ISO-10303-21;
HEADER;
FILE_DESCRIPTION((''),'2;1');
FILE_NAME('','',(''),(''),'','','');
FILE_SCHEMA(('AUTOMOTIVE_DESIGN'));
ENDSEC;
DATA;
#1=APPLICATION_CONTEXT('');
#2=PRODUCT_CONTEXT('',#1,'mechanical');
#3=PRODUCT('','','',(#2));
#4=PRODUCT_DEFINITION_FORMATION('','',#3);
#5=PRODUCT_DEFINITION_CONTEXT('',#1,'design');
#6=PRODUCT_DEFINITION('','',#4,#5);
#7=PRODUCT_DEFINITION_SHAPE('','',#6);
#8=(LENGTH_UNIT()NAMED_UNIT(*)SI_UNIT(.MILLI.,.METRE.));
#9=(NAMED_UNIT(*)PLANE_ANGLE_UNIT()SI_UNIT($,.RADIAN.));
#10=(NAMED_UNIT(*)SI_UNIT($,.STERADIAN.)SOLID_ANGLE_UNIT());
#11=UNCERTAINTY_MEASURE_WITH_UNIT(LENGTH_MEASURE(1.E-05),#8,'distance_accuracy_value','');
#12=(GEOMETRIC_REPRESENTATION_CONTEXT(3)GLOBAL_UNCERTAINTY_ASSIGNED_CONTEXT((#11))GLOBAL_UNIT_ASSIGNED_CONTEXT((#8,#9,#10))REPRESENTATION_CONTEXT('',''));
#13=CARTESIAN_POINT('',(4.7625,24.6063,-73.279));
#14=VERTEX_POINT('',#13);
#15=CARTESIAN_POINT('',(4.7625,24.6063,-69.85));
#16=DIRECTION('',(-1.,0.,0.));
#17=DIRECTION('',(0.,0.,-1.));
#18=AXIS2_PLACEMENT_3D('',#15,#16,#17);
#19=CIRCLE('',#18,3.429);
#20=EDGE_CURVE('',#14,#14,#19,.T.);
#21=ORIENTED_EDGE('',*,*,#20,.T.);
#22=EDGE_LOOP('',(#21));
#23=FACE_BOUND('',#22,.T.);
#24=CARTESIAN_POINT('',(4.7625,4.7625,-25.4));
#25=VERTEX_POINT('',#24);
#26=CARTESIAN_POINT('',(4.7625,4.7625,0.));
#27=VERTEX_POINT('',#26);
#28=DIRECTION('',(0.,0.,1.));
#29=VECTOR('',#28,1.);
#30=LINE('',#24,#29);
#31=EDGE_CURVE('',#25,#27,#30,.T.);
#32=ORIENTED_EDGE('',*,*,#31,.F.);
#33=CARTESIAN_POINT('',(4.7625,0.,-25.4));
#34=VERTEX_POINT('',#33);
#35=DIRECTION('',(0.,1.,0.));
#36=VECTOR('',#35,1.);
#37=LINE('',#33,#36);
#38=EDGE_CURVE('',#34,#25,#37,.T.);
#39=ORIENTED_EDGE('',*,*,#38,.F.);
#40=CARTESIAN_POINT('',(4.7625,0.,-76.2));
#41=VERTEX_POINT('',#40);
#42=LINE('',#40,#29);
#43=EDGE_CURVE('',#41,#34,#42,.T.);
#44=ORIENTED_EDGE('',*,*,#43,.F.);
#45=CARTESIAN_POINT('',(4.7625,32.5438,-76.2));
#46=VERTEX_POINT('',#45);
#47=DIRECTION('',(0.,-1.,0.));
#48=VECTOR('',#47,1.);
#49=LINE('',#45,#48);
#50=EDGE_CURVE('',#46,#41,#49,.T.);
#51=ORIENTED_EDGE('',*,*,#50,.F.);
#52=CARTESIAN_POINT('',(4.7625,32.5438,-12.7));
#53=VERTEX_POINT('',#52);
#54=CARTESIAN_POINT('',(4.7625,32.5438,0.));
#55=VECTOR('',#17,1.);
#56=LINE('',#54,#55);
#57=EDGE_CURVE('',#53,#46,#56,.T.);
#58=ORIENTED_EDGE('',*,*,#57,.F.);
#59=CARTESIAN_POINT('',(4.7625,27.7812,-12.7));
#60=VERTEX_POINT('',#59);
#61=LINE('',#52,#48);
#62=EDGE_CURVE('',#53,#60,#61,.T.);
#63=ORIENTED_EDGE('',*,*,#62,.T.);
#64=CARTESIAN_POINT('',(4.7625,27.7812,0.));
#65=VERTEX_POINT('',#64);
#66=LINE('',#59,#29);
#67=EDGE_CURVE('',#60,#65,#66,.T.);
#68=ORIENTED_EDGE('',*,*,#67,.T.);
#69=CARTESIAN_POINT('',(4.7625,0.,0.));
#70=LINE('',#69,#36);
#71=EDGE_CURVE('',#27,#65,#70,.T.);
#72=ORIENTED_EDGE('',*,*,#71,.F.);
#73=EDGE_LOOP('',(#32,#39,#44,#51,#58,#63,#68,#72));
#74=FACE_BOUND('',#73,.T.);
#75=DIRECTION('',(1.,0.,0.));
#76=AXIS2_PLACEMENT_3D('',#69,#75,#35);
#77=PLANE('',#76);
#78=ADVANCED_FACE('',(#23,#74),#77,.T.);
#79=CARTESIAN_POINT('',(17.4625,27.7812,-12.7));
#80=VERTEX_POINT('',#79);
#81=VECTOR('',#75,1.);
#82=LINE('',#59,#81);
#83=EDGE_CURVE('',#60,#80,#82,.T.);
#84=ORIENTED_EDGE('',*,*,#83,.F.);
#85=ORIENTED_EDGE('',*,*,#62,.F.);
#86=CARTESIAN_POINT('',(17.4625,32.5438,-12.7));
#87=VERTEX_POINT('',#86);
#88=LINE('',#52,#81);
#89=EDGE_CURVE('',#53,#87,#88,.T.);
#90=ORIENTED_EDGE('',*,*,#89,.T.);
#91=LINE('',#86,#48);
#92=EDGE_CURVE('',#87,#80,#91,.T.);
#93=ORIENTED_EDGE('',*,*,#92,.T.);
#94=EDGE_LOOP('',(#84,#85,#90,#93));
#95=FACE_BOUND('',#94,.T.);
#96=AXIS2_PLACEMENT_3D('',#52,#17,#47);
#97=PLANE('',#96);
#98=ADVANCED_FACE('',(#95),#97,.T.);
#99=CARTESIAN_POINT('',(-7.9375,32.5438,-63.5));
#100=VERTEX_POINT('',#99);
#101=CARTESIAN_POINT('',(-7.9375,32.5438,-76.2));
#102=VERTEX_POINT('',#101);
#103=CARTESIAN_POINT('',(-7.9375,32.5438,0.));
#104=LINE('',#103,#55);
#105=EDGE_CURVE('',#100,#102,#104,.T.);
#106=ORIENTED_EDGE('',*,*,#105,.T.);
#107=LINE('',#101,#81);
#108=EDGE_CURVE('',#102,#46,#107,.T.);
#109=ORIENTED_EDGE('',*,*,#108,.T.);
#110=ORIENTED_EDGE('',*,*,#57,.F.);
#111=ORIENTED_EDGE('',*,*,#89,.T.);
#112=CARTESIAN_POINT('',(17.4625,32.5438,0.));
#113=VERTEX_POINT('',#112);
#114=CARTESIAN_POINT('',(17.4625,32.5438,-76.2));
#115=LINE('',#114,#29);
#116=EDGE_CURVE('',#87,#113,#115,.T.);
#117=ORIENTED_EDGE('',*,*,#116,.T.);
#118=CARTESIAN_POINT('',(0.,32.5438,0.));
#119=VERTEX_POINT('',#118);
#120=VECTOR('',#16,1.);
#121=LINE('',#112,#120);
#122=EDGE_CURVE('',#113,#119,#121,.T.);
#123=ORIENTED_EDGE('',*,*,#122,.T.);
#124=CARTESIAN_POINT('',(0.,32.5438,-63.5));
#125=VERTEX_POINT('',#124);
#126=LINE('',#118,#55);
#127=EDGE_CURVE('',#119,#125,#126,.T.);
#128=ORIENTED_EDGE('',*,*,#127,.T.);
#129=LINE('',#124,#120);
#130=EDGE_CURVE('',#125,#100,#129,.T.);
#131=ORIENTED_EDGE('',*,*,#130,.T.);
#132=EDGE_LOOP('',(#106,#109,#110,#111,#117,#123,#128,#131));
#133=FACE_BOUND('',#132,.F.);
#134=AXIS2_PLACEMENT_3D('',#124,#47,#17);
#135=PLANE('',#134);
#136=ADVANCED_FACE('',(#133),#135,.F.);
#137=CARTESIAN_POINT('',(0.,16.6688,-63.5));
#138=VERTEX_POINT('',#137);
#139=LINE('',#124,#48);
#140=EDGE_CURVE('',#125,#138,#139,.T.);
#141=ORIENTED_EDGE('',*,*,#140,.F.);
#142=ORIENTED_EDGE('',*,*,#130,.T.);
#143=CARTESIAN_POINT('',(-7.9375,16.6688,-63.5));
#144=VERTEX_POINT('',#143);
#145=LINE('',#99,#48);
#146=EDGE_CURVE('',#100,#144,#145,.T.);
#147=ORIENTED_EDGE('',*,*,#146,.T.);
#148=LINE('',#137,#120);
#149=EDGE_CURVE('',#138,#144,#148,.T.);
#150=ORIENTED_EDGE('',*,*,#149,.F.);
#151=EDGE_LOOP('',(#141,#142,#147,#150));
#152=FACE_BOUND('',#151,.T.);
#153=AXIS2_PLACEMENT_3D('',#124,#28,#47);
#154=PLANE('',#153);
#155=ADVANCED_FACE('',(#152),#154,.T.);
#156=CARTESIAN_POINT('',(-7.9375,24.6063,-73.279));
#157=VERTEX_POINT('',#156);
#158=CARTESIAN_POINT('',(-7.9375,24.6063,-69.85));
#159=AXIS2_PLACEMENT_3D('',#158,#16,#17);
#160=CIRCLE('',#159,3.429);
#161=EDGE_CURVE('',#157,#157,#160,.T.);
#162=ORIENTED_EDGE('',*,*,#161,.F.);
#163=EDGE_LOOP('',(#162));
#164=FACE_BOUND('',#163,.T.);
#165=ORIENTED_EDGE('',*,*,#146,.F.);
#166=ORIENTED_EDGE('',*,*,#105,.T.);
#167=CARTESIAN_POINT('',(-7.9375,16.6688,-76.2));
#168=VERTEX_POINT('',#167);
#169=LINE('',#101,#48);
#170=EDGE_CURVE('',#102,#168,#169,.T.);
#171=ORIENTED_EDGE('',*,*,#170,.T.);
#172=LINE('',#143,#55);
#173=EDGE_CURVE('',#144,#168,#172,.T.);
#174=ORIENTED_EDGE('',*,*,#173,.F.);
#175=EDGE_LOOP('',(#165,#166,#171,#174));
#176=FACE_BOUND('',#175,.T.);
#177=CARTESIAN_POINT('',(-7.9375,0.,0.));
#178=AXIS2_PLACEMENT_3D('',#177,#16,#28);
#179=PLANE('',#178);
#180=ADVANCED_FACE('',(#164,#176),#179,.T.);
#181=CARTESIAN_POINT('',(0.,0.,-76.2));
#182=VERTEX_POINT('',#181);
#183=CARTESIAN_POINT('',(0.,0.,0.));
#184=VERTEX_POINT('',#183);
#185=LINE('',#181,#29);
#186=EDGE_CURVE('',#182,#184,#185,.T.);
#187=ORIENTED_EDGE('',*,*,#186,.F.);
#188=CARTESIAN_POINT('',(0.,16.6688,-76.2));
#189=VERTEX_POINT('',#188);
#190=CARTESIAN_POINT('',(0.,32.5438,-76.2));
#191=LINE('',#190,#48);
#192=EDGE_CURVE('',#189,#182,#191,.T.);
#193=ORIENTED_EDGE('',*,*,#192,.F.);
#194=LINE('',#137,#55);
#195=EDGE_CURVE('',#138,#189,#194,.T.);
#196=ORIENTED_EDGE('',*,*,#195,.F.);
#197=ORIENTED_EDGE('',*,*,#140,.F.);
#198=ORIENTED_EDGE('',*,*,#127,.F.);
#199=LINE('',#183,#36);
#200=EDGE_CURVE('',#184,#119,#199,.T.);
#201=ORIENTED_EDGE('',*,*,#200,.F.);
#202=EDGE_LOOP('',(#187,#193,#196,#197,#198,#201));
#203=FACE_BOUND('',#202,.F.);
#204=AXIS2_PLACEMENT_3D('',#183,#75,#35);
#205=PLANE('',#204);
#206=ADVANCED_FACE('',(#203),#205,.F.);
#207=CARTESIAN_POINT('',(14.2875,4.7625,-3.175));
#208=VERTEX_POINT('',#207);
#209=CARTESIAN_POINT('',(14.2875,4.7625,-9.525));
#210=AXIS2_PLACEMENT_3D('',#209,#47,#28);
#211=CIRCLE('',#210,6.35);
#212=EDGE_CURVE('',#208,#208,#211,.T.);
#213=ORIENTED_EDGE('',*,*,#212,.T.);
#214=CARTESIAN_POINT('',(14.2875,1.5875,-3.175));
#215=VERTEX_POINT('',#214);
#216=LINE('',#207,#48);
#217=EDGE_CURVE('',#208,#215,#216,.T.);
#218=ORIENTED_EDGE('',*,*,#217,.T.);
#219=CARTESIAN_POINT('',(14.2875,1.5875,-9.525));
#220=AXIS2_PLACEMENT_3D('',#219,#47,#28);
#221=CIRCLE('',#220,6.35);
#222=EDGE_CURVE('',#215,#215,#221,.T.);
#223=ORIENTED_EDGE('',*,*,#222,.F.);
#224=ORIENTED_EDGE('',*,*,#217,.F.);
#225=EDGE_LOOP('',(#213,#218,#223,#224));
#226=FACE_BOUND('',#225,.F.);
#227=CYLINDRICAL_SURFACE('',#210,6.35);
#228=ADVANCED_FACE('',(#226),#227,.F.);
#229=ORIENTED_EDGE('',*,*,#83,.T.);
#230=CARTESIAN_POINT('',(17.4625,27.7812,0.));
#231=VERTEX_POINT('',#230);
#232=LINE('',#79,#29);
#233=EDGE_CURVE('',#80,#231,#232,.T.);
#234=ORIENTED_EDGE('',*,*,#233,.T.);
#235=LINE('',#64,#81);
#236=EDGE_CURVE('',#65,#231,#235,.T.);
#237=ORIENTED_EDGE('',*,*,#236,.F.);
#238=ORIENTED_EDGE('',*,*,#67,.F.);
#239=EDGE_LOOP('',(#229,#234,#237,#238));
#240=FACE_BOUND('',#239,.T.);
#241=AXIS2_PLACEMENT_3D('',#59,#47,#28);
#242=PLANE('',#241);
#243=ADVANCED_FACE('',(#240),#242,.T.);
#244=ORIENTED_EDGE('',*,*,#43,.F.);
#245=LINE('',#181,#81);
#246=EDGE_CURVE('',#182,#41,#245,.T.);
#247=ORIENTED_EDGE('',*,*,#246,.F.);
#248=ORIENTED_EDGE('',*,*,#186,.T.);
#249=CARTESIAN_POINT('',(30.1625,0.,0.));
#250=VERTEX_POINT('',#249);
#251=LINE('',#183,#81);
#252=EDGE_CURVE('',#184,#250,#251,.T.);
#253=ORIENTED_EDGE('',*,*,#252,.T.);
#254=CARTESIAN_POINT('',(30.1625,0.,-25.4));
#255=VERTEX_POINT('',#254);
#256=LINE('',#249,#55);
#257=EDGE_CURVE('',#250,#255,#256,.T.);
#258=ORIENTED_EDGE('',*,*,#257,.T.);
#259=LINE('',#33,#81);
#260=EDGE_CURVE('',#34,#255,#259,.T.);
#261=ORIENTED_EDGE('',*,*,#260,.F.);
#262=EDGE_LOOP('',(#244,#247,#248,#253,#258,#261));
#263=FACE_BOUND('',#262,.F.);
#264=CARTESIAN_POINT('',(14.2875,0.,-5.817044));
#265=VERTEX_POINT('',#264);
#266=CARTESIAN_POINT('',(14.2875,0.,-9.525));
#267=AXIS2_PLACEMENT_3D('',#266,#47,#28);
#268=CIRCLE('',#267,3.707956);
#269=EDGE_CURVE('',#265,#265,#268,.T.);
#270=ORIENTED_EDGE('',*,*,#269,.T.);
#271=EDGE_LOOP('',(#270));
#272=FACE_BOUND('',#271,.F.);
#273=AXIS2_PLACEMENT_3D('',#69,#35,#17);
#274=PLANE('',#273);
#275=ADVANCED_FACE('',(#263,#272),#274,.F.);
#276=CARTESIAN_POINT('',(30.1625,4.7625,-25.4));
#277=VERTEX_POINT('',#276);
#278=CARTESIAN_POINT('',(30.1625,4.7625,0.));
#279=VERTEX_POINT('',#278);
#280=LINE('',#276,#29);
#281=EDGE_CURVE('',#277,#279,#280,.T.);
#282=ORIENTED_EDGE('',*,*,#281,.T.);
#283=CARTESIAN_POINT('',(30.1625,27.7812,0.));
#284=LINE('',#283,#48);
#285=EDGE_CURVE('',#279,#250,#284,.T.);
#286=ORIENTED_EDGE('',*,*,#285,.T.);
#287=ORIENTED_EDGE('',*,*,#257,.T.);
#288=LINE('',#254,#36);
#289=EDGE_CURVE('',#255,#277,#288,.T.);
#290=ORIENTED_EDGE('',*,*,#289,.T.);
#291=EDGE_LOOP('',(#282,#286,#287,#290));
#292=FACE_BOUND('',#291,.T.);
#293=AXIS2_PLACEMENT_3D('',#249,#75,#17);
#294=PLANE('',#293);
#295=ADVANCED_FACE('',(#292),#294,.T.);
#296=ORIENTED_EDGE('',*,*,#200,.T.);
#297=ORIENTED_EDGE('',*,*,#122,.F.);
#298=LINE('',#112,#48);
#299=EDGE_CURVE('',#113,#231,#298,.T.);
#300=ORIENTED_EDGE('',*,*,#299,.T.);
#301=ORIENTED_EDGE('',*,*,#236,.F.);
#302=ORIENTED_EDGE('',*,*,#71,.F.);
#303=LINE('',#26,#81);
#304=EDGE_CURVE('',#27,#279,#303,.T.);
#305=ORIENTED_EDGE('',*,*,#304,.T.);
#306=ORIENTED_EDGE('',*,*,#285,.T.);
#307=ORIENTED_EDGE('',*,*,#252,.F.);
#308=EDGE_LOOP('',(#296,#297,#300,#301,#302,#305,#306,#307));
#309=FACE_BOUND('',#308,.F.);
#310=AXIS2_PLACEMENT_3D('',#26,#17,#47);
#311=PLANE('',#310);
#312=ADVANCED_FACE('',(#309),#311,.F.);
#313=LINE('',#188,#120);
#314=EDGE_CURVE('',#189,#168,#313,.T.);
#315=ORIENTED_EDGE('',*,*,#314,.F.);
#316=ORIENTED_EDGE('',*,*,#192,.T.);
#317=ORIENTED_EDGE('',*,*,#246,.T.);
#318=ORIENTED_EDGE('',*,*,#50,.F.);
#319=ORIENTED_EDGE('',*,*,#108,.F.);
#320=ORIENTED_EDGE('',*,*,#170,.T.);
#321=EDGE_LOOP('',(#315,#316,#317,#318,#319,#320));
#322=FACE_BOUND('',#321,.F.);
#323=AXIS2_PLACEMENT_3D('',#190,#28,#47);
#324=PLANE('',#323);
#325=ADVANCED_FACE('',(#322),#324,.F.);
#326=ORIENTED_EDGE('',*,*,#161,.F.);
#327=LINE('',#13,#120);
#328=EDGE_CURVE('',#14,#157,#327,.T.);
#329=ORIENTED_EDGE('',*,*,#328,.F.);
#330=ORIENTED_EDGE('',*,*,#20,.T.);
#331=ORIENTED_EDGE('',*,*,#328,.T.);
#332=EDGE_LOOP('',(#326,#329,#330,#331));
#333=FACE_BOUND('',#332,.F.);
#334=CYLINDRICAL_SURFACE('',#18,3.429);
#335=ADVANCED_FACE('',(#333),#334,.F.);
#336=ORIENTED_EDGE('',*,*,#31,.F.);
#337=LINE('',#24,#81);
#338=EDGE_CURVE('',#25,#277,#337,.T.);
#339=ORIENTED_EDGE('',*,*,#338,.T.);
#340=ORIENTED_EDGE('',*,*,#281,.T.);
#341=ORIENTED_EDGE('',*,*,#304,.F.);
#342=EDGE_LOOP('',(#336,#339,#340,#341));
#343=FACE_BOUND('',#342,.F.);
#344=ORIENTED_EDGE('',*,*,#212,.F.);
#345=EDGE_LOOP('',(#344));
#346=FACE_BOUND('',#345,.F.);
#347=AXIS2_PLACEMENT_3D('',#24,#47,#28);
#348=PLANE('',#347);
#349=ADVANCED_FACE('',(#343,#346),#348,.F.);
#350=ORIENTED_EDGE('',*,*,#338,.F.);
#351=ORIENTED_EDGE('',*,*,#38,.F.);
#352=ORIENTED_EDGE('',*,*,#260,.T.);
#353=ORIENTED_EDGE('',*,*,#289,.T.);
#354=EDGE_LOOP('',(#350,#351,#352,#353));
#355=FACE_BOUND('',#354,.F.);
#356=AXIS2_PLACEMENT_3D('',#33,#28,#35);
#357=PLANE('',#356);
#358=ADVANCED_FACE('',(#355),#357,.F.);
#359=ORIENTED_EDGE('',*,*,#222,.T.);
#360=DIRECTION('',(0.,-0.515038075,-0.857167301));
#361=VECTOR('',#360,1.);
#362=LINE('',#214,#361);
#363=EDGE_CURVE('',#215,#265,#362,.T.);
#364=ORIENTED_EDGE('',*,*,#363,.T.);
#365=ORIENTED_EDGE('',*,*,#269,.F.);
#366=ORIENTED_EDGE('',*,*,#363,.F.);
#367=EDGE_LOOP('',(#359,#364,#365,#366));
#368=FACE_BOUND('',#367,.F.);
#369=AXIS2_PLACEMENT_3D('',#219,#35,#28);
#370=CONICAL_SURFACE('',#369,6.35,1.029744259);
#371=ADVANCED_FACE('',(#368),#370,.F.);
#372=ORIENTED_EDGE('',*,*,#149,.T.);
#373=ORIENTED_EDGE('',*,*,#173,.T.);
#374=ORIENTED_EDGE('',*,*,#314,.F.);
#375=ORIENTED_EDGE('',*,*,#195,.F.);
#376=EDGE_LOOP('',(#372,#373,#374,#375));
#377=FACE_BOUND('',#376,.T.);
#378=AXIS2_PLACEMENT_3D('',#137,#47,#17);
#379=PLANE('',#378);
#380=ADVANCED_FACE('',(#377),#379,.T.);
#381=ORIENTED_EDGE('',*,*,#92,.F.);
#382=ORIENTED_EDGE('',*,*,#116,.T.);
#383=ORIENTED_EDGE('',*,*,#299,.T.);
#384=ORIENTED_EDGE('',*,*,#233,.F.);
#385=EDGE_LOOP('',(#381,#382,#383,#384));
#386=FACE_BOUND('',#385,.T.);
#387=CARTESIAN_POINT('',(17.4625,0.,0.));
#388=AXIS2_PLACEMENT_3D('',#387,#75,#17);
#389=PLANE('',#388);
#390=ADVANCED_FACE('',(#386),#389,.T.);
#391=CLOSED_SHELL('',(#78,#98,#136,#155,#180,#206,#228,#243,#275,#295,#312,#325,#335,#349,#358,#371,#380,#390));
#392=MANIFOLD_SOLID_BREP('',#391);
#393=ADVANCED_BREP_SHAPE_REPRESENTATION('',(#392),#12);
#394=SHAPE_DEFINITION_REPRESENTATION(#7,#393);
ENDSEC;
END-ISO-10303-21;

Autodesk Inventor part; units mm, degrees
ref_plane "YZ Plane" through (0, 0, 0) normal (1, 0, 0) x (0, 1, 0)
ref_plane "XZ Plane" through (0, 0, 0) normal (0, 1, 0) x (-1, 0, 0)
ref_plane "XY Plane" through (0, 0, 0) normal (0, 0, 1) x (1, 0, 0)
sketch "Sketch1" plane through (0, 0, 0) normal (1, 0, 0) x (0, 1, 0)
  line L0 (0, 0) -> (32.5438, 0)
  line L1 (32.5438, 0) -> (32.5438, -76.2)
  line L2 (32.5438, -76.2) -> (0, -76.2)
  line L3 (0, -76.2) -> (0, 0)
  dimension "d0" = 32.5438
  dimension "d1" = 76.2
extrude "Extrusion1" add sketch "Sketch1" along normal blind 4.7625
sketch "Sketch2" plane through (4.7625, 0, 0) normal (1, 0, 0) x (0, 0, -1)
  line L0 (0, 32.5438) -> (0, 0) projected
  line L1 (0, 0) -> (76.2, 0) projected
  line L2 (76.2, 0) -> (76.2, 32.5438) projected
  line L3 (76.2, 32.5438) -> (0, 32.5438) projected
  line L4 (0, 32.5438) -> (12.7, 32.5438)
  line L5 (12.7, 32.5438) -> (12.7, 27.7812)
  line L6 (12.7, 27.7812) -> (0, 27.7812)
  line L7 (0, 27.7812) -> (0, 32.5438)
  dimension "d4" = 12.7
  dimension "d5" = 4.7625
extrude "Extrusion2" add sketch "Sketch2" along normal blind 12.7 contours L3 L5 L6 L0
sketch "Sketch3" plane through (4.7625, 0, 0) normal (1, 0, 0) x (0, 0, -1)
  line L0 (12.7, 27.7812) -> (0, 27.7812) projected
  line L1 (0, 27.7812) -> (0, 0) projected
  line L2 (0, 0) -> (76.2, 0) projected
  line L3 (76.2, 0) -> (76.2, 32.5438) projected
  line L4 (76.2, 32.5438) -> (12.7, 32.5438) projected
  line L5 (12.7, 32.5438) -> (12.7, 27.7812) projected
  line L6 (0, 0) -> (25.4, 0)
  line L7 (25.4, 0) -> (25.4, 4.7625)
  line L8 (25.4, 4.7625) -> (0, 4.7625)
  line L9 (0, 4.7625) -> (0, 0)
  dimension "d8" = 4.7625
extrude "Extrusion3" add sketch "Sketch3" along normal blind 25.4 contours L8 L7 L2 L1
sketch "Sketch4" plane through (0, 0, 0) normal (-1, 0, 0) x (0, 0, 1)
  line L0 (0, 0) -> (0, 32.5438) projected
  line L1 (0, 32.5438) -> (-76.2, 32.5438) projected
  line L2 (-76.2, 32.5438) -> (-76.2, 0) projected
  line L3 (-76.2, 0) -> (0, 0) projected
  line L4 (-76.2, 32.5438) -> (-12.7, 32.5438) projected
  line L5 (-76.2, 32.5438) -> (-63.5, 32.5438)
  line L6 (-63.5, 32.5438) -> (-63.5, 16.6688)
  line L7 (-63.5, 16.6688) -> (-76.2, 16.6688)
  line L8 (-76.2, 16.6688) -> (-76.2, 32.5438)
  dimension "d11" = 12.7
  dimension "d12" = 15.875
extrude "Extrusion4" add sketch "Sketch4" along normal blind 7.9375 contours L2 L1 L6 L7
sketch "Sketch5" plane through (4.7625, 0, 0) normal (1, 0, 0) x (0, 0, -1)
  line L0 (25.4, 4.7625) -> (25.4, 0) projected
  line L1 (25.4, 0) -> (76.2, 0) projected
  line L2 (76.2, 0) -> (76.2, 32.5438) projected
  line L3 (76.2, 32.5438) -> (12.7, 32.5438) projected
  line L4 (12.7, 32.5438) -> (12.7, 27.7812) projected
  line L5 (12.7, 27.7812) -> (0, 27.7812) projected
  line L6 (0, 27.7812) -> (0, 4.7625) projected
  line L7 (0, 4.7625) -> (25.4, 4.7625) projected
  line L8 (0, 32.5438) -> (0, 27.7812) projected
  line L9 (0, 27.7812) -> (12.7, 27.7812) projected
  line L10 (12.7, 27.7812) -> (12.7, 32.5438) projected
  line L11 (12.7, 32.5438) -> (0, 32.5438) projected
  point P0 (0, 0)
  point P1 (69.85, 24.6063)
  dimension "d15" = 4.7625
  dimension "d16" = 7.9375
  dimension "d17" = 6.35
hole "Hole1" at (4.7625, 24.6063, -69.85) direction (-1, 0, 0) diameter 6.858 end through all
sketch "Sketch6" plane through (4.7625, 4.7625, 0) normal (0, 1, 0) x (1, 0, 0)
  line L0 (0, 0) -> (0, 25.4) projected
  line L1 (0, 0) -> (25.4, 0) projected
  line L2 (25.4, 25.4) -> (25.4, 0) projected
  line L3 (0, 25.4) -> (25.4, 25.4) projected
  point P0 (-4.7625, 0)
  point P1 (9.525, 9.525)
  dimension "d25" = 9.525
  dimension "d26" = 9.525
hole "Hole2" at (14.2875, 4.7625, -9.525) direction (0, -1, 0) diameter 12.7 depth 3.175 tip angle 118
properties part number "WheelIntake4.0Base"
